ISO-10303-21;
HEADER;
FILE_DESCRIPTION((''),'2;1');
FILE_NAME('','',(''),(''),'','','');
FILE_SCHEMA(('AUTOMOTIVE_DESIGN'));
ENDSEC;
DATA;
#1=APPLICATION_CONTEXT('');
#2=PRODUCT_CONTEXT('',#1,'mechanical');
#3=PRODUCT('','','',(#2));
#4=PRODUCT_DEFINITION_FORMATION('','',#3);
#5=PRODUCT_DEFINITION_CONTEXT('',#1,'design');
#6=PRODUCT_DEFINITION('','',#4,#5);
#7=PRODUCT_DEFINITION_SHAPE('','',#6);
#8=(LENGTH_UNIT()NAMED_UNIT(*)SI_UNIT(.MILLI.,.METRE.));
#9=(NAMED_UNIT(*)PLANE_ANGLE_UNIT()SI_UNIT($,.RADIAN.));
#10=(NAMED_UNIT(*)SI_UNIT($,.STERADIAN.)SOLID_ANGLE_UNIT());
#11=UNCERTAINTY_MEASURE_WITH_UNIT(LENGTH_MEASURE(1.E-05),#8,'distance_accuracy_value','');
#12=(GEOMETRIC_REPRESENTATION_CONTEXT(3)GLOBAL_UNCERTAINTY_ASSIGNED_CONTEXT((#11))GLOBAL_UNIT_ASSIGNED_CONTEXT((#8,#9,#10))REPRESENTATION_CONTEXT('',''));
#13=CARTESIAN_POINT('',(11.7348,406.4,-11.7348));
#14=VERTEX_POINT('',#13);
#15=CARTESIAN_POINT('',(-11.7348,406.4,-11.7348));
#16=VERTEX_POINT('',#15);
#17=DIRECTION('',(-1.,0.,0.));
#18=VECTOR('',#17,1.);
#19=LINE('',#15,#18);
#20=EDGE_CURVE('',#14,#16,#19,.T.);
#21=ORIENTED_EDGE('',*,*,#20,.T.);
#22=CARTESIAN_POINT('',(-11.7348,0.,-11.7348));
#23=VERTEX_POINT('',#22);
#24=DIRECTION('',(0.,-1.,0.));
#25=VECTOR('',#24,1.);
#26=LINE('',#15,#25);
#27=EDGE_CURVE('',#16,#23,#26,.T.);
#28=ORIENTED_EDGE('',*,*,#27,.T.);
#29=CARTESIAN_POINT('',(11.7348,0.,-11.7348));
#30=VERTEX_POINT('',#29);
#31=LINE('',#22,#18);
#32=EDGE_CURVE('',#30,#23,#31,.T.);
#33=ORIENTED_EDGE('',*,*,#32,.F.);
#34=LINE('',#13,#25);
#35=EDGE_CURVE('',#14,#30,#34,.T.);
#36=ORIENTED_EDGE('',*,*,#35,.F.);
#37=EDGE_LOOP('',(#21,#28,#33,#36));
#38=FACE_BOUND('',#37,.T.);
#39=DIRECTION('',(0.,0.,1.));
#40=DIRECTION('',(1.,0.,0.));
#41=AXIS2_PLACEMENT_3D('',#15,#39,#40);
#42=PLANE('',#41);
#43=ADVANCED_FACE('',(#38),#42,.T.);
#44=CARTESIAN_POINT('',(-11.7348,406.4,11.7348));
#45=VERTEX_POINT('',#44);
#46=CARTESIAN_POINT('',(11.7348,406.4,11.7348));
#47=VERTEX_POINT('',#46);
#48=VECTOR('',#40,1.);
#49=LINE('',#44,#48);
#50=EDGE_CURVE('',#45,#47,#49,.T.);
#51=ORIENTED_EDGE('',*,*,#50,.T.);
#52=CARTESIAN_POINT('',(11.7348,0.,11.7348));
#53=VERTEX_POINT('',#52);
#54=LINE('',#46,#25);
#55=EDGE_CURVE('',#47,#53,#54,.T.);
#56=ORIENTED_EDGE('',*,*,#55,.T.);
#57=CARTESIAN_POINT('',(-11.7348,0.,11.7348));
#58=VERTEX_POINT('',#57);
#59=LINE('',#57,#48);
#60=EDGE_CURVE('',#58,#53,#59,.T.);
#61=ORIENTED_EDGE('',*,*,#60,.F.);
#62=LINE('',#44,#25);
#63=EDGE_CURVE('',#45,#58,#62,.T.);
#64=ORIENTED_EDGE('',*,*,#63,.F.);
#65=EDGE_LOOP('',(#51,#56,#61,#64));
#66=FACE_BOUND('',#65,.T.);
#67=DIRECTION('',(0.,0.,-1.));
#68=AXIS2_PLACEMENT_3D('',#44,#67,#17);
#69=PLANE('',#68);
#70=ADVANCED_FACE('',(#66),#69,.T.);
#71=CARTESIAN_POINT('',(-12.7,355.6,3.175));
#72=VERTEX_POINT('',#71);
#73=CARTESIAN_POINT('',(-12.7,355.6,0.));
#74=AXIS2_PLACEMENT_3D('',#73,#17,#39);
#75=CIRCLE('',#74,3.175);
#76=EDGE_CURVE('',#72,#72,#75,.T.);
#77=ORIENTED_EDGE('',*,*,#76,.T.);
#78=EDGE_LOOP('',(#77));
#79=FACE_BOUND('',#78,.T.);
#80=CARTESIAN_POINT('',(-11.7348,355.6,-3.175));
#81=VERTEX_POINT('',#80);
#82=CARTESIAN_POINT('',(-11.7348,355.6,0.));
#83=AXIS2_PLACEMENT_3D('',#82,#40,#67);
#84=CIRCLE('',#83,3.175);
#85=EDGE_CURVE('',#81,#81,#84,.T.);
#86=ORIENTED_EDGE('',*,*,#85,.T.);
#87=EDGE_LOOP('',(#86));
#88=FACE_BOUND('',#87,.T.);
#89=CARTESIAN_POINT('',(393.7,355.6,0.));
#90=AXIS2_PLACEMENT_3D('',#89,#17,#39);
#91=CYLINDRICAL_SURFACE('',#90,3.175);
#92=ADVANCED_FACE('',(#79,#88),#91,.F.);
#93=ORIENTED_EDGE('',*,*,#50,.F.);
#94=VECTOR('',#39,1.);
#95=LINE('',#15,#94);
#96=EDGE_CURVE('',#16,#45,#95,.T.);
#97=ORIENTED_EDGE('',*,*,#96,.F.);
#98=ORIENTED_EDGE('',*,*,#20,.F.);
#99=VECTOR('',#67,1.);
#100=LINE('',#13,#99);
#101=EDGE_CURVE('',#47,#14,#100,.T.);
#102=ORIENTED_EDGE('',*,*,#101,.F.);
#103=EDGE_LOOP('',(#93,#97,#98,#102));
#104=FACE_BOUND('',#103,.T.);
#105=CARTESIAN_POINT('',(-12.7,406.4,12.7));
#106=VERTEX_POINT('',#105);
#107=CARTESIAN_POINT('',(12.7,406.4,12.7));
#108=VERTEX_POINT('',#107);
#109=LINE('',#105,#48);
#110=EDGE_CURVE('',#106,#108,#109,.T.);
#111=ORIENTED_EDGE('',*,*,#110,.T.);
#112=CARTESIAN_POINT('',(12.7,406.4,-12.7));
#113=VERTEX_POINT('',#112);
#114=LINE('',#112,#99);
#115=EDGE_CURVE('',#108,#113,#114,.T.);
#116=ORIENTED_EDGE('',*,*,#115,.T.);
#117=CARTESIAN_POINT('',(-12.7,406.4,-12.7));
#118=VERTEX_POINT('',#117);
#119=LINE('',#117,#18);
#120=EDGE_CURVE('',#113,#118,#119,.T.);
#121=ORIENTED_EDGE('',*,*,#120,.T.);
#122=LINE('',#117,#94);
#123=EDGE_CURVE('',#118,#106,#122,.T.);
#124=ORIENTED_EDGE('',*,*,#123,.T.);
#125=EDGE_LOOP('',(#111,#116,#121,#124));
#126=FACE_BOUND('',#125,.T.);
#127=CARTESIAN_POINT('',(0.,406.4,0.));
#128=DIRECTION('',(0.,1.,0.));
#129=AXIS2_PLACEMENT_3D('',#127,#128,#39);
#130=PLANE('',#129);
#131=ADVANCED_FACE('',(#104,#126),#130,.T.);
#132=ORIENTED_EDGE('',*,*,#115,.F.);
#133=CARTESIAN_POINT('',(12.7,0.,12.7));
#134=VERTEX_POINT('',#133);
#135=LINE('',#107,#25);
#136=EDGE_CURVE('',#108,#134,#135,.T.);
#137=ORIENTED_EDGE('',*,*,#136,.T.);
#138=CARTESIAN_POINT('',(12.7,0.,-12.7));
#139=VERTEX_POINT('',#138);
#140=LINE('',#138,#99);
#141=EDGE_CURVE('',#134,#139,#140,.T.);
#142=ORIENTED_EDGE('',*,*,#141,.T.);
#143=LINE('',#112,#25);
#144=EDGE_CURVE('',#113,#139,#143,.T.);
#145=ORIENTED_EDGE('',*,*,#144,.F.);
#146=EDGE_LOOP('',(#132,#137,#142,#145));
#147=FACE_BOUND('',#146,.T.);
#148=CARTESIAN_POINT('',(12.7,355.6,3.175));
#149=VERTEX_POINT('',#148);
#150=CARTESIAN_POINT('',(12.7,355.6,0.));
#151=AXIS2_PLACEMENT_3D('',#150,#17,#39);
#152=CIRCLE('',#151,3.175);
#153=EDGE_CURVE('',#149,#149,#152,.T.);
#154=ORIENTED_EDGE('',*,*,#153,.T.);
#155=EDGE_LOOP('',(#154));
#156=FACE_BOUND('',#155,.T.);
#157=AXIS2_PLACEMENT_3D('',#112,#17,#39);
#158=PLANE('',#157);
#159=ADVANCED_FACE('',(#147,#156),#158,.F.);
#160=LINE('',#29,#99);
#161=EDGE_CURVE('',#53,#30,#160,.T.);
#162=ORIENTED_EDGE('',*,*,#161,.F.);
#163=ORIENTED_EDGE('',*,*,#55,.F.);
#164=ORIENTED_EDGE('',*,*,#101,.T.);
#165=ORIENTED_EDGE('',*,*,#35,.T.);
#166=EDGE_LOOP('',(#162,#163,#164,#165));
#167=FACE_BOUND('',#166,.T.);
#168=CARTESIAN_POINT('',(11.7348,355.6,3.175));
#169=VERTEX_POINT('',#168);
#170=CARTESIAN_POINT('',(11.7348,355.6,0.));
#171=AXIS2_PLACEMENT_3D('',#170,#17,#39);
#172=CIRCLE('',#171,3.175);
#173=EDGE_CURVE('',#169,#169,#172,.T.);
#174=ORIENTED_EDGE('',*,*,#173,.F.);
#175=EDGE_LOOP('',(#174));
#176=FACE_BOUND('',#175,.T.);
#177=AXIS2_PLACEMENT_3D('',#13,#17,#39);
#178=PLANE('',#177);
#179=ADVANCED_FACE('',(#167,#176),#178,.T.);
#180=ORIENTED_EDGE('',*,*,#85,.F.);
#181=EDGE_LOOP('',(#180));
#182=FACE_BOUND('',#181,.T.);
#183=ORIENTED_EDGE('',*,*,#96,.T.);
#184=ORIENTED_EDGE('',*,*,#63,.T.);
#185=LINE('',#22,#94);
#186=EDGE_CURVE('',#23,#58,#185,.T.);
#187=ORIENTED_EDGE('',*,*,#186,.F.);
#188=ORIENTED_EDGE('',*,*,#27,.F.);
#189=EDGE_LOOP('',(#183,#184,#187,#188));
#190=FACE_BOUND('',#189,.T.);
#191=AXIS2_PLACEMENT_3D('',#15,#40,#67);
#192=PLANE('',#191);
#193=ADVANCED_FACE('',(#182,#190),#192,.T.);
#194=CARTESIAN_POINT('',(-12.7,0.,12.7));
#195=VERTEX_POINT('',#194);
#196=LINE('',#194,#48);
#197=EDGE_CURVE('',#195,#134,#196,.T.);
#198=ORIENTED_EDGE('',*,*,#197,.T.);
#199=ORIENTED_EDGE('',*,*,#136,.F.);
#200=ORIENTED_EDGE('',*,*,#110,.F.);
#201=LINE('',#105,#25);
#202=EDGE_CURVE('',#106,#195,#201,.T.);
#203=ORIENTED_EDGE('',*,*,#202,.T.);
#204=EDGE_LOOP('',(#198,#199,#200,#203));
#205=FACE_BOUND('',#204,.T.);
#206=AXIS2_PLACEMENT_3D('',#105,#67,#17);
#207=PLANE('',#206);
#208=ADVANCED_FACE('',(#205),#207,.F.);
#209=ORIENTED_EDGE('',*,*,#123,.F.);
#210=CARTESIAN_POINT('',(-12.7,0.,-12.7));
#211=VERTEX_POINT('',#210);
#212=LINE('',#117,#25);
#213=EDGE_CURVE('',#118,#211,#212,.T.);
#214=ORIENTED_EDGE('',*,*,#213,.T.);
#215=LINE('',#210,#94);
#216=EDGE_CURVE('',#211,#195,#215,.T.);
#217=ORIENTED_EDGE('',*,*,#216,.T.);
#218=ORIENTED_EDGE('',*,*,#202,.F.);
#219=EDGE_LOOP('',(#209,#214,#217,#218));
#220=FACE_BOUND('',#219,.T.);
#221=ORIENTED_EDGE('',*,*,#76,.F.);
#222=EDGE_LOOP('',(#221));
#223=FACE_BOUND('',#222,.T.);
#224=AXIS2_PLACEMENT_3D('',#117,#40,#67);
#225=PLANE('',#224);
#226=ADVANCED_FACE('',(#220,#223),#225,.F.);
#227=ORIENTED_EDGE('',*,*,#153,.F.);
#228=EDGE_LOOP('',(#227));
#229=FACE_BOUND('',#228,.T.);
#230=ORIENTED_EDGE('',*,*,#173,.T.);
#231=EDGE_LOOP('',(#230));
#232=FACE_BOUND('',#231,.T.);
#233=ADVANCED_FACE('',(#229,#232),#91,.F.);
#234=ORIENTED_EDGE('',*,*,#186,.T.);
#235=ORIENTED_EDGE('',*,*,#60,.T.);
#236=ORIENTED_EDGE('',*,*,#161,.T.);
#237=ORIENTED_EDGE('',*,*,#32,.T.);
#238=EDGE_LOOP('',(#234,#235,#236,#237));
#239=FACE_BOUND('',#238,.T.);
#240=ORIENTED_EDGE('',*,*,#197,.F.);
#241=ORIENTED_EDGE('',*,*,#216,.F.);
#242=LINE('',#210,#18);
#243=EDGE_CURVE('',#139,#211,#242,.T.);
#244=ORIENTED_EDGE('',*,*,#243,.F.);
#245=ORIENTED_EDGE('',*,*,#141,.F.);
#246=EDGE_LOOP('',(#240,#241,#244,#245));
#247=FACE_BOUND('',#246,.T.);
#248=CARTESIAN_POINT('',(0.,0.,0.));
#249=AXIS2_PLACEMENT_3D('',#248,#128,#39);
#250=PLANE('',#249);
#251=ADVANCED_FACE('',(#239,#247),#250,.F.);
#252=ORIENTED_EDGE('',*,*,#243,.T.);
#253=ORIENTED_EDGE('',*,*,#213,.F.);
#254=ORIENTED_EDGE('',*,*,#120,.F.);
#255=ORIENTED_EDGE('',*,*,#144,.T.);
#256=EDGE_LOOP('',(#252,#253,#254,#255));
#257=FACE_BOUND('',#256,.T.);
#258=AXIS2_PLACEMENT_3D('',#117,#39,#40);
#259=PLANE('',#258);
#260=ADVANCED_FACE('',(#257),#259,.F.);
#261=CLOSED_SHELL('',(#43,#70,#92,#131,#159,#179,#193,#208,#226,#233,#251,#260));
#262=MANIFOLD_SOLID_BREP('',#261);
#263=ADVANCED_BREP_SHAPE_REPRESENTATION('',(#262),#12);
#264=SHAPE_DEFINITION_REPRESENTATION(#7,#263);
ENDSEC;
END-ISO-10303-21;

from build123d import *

# Parameters (mm, degrees)
SKETCH1_W           = 25.4
SKETCH1_H           = 25.4
SKETCH1_W_2         = 23.4696
SKETCH1_H_2         = 23.4696
BOSS_EXTRUDE1_DEPTH = 406.4
SKETCH3_R           = 3.175
CUT_EXTRUDE1_DEPTH  = 406.4


with BuildPart() as part:
    # Sketch1 → Boss-Extrude1 (new body)
    with BuildSketch(Plane(origin=(0, 0, 0), x_dir=(1, 0, 0), z_dir=(0, 1, 0))):
        Rectangle(SKETCH1_W, SKETCH1_H)
        Rectangle(SKETCH1_W_2, SKETCH1_H_2, mode=Mode.SUBTRACT)
    extrude(amount=BOSS_EXTRUDE1_DEPTH)

    # Sketch3 → Cut-Extrude1 (cut)
    with BuildSketch(Plane.ZY.offset(12.7)):
        with Locations((0, 355.6)):
            Circle(SKETCH3_R)
    extrude(amount=-CUT_EXTRUDE1_DEPTH, mode=Mode.SUBTRACT)


solid = part.part
